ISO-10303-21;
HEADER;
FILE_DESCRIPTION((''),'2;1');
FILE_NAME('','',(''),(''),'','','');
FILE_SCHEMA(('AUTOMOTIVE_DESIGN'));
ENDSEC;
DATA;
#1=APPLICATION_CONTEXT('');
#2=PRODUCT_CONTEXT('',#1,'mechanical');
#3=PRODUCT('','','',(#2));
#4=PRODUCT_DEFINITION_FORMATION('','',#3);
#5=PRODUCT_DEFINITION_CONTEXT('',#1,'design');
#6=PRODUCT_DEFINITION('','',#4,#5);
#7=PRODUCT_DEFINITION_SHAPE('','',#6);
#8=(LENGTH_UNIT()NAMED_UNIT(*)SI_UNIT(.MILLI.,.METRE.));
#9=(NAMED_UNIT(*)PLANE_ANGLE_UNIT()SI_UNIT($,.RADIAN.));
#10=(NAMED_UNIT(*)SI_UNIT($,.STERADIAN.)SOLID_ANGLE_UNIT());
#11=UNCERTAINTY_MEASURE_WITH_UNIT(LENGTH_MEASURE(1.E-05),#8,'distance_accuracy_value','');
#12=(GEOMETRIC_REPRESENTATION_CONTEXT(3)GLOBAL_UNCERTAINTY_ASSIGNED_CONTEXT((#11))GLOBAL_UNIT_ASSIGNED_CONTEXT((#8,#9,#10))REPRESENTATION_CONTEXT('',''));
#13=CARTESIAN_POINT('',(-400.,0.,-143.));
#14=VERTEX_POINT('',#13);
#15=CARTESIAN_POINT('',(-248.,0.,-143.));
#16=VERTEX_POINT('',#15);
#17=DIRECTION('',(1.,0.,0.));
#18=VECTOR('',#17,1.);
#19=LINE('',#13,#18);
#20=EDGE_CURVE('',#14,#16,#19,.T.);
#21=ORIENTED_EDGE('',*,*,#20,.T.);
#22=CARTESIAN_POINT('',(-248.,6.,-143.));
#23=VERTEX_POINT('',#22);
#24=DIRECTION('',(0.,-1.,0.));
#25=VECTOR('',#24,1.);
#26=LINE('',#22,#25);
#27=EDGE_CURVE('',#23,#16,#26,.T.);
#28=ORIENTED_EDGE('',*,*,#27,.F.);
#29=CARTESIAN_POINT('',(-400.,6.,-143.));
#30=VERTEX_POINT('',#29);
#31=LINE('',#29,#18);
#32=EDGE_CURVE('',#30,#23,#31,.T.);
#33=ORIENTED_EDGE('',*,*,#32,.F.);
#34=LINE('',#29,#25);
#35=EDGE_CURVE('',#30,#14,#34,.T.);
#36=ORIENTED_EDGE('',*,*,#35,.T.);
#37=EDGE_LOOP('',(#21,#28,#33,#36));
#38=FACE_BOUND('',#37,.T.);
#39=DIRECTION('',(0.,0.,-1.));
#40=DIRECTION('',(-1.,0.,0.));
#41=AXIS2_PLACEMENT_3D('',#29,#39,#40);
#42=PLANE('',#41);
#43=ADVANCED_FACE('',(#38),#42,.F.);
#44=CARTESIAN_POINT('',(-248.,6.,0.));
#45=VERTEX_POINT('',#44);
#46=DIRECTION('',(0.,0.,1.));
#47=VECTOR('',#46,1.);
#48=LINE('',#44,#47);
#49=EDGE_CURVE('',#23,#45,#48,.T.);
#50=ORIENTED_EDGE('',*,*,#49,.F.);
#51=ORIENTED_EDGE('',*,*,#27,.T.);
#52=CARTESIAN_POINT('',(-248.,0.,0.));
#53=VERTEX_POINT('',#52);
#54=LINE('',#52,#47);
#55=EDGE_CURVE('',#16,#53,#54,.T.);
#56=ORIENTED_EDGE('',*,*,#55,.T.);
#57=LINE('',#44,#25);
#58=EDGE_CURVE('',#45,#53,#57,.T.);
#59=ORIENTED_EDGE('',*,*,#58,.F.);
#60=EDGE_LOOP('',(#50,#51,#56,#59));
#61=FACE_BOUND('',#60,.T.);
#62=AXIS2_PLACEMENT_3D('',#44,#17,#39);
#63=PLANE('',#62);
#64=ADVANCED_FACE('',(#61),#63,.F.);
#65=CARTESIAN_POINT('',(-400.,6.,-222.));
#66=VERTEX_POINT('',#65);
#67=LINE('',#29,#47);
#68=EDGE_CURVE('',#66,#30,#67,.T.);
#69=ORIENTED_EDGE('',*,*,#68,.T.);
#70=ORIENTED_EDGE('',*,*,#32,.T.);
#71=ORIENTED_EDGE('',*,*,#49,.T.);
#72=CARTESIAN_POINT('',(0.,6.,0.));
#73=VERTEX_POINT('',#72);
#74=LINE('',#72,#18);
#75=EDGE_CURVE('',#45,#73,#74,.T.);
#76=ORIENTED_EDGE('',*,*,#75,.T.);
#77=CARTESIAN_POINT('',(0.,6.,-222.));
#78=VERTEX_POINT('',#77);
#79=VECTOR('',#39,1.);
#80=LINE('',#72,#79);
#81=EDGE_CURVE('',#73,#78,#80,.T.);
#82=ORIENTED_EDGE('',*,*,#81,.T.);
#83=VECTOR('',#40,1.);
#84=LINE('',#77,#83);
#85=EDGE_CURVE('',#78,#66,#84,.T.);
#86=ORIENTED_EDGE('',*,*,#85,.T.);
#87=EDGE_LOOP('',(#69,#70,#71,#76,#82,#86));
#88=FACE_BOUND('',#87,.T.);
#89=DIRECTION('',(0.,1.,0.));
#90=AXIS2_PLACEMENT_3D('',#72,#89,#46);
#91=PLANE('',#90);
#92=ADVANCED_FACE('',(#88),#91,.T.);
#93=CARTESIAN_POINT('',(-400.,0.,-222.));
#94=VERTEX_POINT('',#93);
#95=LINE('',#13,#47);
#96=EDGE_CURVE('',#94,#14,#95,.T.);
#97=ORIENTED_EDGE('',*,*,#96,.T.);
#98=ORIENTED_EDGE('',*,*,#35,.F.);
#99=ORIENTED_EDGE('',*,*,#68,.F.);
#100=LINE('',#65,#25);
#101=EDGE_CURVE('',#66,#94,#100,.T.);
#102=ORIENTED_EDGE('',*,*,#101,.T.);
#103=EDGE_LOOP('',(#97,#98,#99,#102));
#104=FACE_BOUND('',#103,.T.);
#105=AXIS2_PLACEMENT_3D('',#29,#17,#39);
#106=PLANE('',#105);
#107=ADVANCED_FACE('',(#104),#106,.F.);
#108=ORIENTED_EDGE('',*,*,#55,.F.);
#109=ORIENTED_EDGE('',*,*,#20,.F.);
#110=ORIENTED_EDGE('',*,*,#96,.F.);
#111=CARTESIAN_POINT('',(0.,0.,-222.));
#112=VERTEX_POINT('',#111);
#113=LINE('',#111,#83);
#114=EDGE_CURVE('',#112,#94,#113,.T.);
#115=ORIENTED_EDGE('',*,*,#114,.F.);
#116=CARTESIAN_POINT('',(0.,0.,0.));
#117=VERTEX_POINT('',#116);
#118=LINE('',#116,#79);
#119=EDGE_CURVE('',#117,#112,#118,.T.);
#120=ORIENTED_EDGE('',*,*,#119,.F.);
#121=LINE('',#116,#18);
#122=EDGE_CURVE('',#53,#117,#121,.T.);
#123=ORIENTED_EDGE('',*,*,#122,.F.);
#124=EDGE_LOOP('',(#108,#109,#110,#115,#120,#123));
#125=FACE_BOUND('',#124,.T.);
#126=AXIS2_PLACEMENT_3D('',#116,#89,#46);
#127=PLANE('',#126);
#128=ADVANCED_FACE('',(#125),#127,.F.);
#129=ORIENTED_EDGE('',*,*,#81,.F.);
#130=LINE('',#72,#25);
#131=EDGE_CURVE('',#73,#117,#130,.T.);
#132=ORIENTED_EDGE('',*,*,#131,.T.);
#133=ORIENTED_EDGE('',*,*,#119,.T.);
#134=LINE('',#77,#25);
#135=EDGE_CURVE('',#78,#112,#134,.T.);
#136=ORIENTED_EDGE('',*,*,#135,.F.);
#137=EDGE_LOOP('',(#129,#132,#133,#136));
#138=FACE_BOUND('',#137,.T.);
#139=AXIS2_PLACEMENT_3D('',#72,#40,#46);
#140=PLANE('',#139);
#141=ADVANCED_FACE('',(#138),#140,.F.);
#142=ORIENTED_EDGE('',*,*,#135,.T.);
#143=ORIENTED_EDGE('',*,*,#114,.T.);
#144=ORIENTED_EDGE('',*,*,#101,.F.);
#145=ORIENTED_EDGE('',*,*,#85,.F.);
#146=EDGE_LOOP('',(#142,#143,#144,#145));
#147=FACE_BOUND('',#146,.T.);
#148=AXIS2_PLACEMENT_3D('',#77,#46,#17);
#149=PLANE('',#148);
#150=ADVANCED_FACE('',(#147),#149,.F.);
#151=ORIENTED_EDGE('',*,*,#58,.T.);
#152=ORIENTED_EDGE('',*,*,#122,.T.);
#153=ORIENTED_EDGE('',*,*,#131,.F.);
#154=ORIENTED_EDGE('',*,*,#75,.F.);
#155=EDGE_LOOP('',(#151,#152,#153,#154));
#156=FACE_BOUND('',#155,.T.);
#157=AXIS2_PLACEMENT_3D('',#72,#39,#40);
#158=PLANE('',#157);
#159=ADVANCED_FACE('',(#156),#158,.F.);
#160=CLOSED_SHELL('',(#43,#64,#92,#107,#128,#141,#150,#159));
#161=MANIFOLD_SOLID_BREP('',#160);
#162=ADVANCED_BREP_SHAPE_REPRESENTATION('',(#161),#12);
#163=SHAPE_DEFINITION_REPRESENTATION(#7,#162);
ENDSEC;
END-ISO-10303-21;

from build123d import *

# Parameters (mm, degrees)
BOSS_EXTRUDE1_DEPTH = 6


with BuildPart() as part:
    # Sketch1 → Boss-Extrude1 (new body)
    with BuildSketch(Plane(origin=(0, 0, 0), x_dir=(1, 0, 0), z_dir=(0, 1, 0))):
        Polygon((0, 0), (-248, 0), (-248, 143), (-400, 143), (-400, 222), (0, 222), align=None)
    extrude(amount=BOSS_EXTRUDE1_DEPTH)


solid = part.part
